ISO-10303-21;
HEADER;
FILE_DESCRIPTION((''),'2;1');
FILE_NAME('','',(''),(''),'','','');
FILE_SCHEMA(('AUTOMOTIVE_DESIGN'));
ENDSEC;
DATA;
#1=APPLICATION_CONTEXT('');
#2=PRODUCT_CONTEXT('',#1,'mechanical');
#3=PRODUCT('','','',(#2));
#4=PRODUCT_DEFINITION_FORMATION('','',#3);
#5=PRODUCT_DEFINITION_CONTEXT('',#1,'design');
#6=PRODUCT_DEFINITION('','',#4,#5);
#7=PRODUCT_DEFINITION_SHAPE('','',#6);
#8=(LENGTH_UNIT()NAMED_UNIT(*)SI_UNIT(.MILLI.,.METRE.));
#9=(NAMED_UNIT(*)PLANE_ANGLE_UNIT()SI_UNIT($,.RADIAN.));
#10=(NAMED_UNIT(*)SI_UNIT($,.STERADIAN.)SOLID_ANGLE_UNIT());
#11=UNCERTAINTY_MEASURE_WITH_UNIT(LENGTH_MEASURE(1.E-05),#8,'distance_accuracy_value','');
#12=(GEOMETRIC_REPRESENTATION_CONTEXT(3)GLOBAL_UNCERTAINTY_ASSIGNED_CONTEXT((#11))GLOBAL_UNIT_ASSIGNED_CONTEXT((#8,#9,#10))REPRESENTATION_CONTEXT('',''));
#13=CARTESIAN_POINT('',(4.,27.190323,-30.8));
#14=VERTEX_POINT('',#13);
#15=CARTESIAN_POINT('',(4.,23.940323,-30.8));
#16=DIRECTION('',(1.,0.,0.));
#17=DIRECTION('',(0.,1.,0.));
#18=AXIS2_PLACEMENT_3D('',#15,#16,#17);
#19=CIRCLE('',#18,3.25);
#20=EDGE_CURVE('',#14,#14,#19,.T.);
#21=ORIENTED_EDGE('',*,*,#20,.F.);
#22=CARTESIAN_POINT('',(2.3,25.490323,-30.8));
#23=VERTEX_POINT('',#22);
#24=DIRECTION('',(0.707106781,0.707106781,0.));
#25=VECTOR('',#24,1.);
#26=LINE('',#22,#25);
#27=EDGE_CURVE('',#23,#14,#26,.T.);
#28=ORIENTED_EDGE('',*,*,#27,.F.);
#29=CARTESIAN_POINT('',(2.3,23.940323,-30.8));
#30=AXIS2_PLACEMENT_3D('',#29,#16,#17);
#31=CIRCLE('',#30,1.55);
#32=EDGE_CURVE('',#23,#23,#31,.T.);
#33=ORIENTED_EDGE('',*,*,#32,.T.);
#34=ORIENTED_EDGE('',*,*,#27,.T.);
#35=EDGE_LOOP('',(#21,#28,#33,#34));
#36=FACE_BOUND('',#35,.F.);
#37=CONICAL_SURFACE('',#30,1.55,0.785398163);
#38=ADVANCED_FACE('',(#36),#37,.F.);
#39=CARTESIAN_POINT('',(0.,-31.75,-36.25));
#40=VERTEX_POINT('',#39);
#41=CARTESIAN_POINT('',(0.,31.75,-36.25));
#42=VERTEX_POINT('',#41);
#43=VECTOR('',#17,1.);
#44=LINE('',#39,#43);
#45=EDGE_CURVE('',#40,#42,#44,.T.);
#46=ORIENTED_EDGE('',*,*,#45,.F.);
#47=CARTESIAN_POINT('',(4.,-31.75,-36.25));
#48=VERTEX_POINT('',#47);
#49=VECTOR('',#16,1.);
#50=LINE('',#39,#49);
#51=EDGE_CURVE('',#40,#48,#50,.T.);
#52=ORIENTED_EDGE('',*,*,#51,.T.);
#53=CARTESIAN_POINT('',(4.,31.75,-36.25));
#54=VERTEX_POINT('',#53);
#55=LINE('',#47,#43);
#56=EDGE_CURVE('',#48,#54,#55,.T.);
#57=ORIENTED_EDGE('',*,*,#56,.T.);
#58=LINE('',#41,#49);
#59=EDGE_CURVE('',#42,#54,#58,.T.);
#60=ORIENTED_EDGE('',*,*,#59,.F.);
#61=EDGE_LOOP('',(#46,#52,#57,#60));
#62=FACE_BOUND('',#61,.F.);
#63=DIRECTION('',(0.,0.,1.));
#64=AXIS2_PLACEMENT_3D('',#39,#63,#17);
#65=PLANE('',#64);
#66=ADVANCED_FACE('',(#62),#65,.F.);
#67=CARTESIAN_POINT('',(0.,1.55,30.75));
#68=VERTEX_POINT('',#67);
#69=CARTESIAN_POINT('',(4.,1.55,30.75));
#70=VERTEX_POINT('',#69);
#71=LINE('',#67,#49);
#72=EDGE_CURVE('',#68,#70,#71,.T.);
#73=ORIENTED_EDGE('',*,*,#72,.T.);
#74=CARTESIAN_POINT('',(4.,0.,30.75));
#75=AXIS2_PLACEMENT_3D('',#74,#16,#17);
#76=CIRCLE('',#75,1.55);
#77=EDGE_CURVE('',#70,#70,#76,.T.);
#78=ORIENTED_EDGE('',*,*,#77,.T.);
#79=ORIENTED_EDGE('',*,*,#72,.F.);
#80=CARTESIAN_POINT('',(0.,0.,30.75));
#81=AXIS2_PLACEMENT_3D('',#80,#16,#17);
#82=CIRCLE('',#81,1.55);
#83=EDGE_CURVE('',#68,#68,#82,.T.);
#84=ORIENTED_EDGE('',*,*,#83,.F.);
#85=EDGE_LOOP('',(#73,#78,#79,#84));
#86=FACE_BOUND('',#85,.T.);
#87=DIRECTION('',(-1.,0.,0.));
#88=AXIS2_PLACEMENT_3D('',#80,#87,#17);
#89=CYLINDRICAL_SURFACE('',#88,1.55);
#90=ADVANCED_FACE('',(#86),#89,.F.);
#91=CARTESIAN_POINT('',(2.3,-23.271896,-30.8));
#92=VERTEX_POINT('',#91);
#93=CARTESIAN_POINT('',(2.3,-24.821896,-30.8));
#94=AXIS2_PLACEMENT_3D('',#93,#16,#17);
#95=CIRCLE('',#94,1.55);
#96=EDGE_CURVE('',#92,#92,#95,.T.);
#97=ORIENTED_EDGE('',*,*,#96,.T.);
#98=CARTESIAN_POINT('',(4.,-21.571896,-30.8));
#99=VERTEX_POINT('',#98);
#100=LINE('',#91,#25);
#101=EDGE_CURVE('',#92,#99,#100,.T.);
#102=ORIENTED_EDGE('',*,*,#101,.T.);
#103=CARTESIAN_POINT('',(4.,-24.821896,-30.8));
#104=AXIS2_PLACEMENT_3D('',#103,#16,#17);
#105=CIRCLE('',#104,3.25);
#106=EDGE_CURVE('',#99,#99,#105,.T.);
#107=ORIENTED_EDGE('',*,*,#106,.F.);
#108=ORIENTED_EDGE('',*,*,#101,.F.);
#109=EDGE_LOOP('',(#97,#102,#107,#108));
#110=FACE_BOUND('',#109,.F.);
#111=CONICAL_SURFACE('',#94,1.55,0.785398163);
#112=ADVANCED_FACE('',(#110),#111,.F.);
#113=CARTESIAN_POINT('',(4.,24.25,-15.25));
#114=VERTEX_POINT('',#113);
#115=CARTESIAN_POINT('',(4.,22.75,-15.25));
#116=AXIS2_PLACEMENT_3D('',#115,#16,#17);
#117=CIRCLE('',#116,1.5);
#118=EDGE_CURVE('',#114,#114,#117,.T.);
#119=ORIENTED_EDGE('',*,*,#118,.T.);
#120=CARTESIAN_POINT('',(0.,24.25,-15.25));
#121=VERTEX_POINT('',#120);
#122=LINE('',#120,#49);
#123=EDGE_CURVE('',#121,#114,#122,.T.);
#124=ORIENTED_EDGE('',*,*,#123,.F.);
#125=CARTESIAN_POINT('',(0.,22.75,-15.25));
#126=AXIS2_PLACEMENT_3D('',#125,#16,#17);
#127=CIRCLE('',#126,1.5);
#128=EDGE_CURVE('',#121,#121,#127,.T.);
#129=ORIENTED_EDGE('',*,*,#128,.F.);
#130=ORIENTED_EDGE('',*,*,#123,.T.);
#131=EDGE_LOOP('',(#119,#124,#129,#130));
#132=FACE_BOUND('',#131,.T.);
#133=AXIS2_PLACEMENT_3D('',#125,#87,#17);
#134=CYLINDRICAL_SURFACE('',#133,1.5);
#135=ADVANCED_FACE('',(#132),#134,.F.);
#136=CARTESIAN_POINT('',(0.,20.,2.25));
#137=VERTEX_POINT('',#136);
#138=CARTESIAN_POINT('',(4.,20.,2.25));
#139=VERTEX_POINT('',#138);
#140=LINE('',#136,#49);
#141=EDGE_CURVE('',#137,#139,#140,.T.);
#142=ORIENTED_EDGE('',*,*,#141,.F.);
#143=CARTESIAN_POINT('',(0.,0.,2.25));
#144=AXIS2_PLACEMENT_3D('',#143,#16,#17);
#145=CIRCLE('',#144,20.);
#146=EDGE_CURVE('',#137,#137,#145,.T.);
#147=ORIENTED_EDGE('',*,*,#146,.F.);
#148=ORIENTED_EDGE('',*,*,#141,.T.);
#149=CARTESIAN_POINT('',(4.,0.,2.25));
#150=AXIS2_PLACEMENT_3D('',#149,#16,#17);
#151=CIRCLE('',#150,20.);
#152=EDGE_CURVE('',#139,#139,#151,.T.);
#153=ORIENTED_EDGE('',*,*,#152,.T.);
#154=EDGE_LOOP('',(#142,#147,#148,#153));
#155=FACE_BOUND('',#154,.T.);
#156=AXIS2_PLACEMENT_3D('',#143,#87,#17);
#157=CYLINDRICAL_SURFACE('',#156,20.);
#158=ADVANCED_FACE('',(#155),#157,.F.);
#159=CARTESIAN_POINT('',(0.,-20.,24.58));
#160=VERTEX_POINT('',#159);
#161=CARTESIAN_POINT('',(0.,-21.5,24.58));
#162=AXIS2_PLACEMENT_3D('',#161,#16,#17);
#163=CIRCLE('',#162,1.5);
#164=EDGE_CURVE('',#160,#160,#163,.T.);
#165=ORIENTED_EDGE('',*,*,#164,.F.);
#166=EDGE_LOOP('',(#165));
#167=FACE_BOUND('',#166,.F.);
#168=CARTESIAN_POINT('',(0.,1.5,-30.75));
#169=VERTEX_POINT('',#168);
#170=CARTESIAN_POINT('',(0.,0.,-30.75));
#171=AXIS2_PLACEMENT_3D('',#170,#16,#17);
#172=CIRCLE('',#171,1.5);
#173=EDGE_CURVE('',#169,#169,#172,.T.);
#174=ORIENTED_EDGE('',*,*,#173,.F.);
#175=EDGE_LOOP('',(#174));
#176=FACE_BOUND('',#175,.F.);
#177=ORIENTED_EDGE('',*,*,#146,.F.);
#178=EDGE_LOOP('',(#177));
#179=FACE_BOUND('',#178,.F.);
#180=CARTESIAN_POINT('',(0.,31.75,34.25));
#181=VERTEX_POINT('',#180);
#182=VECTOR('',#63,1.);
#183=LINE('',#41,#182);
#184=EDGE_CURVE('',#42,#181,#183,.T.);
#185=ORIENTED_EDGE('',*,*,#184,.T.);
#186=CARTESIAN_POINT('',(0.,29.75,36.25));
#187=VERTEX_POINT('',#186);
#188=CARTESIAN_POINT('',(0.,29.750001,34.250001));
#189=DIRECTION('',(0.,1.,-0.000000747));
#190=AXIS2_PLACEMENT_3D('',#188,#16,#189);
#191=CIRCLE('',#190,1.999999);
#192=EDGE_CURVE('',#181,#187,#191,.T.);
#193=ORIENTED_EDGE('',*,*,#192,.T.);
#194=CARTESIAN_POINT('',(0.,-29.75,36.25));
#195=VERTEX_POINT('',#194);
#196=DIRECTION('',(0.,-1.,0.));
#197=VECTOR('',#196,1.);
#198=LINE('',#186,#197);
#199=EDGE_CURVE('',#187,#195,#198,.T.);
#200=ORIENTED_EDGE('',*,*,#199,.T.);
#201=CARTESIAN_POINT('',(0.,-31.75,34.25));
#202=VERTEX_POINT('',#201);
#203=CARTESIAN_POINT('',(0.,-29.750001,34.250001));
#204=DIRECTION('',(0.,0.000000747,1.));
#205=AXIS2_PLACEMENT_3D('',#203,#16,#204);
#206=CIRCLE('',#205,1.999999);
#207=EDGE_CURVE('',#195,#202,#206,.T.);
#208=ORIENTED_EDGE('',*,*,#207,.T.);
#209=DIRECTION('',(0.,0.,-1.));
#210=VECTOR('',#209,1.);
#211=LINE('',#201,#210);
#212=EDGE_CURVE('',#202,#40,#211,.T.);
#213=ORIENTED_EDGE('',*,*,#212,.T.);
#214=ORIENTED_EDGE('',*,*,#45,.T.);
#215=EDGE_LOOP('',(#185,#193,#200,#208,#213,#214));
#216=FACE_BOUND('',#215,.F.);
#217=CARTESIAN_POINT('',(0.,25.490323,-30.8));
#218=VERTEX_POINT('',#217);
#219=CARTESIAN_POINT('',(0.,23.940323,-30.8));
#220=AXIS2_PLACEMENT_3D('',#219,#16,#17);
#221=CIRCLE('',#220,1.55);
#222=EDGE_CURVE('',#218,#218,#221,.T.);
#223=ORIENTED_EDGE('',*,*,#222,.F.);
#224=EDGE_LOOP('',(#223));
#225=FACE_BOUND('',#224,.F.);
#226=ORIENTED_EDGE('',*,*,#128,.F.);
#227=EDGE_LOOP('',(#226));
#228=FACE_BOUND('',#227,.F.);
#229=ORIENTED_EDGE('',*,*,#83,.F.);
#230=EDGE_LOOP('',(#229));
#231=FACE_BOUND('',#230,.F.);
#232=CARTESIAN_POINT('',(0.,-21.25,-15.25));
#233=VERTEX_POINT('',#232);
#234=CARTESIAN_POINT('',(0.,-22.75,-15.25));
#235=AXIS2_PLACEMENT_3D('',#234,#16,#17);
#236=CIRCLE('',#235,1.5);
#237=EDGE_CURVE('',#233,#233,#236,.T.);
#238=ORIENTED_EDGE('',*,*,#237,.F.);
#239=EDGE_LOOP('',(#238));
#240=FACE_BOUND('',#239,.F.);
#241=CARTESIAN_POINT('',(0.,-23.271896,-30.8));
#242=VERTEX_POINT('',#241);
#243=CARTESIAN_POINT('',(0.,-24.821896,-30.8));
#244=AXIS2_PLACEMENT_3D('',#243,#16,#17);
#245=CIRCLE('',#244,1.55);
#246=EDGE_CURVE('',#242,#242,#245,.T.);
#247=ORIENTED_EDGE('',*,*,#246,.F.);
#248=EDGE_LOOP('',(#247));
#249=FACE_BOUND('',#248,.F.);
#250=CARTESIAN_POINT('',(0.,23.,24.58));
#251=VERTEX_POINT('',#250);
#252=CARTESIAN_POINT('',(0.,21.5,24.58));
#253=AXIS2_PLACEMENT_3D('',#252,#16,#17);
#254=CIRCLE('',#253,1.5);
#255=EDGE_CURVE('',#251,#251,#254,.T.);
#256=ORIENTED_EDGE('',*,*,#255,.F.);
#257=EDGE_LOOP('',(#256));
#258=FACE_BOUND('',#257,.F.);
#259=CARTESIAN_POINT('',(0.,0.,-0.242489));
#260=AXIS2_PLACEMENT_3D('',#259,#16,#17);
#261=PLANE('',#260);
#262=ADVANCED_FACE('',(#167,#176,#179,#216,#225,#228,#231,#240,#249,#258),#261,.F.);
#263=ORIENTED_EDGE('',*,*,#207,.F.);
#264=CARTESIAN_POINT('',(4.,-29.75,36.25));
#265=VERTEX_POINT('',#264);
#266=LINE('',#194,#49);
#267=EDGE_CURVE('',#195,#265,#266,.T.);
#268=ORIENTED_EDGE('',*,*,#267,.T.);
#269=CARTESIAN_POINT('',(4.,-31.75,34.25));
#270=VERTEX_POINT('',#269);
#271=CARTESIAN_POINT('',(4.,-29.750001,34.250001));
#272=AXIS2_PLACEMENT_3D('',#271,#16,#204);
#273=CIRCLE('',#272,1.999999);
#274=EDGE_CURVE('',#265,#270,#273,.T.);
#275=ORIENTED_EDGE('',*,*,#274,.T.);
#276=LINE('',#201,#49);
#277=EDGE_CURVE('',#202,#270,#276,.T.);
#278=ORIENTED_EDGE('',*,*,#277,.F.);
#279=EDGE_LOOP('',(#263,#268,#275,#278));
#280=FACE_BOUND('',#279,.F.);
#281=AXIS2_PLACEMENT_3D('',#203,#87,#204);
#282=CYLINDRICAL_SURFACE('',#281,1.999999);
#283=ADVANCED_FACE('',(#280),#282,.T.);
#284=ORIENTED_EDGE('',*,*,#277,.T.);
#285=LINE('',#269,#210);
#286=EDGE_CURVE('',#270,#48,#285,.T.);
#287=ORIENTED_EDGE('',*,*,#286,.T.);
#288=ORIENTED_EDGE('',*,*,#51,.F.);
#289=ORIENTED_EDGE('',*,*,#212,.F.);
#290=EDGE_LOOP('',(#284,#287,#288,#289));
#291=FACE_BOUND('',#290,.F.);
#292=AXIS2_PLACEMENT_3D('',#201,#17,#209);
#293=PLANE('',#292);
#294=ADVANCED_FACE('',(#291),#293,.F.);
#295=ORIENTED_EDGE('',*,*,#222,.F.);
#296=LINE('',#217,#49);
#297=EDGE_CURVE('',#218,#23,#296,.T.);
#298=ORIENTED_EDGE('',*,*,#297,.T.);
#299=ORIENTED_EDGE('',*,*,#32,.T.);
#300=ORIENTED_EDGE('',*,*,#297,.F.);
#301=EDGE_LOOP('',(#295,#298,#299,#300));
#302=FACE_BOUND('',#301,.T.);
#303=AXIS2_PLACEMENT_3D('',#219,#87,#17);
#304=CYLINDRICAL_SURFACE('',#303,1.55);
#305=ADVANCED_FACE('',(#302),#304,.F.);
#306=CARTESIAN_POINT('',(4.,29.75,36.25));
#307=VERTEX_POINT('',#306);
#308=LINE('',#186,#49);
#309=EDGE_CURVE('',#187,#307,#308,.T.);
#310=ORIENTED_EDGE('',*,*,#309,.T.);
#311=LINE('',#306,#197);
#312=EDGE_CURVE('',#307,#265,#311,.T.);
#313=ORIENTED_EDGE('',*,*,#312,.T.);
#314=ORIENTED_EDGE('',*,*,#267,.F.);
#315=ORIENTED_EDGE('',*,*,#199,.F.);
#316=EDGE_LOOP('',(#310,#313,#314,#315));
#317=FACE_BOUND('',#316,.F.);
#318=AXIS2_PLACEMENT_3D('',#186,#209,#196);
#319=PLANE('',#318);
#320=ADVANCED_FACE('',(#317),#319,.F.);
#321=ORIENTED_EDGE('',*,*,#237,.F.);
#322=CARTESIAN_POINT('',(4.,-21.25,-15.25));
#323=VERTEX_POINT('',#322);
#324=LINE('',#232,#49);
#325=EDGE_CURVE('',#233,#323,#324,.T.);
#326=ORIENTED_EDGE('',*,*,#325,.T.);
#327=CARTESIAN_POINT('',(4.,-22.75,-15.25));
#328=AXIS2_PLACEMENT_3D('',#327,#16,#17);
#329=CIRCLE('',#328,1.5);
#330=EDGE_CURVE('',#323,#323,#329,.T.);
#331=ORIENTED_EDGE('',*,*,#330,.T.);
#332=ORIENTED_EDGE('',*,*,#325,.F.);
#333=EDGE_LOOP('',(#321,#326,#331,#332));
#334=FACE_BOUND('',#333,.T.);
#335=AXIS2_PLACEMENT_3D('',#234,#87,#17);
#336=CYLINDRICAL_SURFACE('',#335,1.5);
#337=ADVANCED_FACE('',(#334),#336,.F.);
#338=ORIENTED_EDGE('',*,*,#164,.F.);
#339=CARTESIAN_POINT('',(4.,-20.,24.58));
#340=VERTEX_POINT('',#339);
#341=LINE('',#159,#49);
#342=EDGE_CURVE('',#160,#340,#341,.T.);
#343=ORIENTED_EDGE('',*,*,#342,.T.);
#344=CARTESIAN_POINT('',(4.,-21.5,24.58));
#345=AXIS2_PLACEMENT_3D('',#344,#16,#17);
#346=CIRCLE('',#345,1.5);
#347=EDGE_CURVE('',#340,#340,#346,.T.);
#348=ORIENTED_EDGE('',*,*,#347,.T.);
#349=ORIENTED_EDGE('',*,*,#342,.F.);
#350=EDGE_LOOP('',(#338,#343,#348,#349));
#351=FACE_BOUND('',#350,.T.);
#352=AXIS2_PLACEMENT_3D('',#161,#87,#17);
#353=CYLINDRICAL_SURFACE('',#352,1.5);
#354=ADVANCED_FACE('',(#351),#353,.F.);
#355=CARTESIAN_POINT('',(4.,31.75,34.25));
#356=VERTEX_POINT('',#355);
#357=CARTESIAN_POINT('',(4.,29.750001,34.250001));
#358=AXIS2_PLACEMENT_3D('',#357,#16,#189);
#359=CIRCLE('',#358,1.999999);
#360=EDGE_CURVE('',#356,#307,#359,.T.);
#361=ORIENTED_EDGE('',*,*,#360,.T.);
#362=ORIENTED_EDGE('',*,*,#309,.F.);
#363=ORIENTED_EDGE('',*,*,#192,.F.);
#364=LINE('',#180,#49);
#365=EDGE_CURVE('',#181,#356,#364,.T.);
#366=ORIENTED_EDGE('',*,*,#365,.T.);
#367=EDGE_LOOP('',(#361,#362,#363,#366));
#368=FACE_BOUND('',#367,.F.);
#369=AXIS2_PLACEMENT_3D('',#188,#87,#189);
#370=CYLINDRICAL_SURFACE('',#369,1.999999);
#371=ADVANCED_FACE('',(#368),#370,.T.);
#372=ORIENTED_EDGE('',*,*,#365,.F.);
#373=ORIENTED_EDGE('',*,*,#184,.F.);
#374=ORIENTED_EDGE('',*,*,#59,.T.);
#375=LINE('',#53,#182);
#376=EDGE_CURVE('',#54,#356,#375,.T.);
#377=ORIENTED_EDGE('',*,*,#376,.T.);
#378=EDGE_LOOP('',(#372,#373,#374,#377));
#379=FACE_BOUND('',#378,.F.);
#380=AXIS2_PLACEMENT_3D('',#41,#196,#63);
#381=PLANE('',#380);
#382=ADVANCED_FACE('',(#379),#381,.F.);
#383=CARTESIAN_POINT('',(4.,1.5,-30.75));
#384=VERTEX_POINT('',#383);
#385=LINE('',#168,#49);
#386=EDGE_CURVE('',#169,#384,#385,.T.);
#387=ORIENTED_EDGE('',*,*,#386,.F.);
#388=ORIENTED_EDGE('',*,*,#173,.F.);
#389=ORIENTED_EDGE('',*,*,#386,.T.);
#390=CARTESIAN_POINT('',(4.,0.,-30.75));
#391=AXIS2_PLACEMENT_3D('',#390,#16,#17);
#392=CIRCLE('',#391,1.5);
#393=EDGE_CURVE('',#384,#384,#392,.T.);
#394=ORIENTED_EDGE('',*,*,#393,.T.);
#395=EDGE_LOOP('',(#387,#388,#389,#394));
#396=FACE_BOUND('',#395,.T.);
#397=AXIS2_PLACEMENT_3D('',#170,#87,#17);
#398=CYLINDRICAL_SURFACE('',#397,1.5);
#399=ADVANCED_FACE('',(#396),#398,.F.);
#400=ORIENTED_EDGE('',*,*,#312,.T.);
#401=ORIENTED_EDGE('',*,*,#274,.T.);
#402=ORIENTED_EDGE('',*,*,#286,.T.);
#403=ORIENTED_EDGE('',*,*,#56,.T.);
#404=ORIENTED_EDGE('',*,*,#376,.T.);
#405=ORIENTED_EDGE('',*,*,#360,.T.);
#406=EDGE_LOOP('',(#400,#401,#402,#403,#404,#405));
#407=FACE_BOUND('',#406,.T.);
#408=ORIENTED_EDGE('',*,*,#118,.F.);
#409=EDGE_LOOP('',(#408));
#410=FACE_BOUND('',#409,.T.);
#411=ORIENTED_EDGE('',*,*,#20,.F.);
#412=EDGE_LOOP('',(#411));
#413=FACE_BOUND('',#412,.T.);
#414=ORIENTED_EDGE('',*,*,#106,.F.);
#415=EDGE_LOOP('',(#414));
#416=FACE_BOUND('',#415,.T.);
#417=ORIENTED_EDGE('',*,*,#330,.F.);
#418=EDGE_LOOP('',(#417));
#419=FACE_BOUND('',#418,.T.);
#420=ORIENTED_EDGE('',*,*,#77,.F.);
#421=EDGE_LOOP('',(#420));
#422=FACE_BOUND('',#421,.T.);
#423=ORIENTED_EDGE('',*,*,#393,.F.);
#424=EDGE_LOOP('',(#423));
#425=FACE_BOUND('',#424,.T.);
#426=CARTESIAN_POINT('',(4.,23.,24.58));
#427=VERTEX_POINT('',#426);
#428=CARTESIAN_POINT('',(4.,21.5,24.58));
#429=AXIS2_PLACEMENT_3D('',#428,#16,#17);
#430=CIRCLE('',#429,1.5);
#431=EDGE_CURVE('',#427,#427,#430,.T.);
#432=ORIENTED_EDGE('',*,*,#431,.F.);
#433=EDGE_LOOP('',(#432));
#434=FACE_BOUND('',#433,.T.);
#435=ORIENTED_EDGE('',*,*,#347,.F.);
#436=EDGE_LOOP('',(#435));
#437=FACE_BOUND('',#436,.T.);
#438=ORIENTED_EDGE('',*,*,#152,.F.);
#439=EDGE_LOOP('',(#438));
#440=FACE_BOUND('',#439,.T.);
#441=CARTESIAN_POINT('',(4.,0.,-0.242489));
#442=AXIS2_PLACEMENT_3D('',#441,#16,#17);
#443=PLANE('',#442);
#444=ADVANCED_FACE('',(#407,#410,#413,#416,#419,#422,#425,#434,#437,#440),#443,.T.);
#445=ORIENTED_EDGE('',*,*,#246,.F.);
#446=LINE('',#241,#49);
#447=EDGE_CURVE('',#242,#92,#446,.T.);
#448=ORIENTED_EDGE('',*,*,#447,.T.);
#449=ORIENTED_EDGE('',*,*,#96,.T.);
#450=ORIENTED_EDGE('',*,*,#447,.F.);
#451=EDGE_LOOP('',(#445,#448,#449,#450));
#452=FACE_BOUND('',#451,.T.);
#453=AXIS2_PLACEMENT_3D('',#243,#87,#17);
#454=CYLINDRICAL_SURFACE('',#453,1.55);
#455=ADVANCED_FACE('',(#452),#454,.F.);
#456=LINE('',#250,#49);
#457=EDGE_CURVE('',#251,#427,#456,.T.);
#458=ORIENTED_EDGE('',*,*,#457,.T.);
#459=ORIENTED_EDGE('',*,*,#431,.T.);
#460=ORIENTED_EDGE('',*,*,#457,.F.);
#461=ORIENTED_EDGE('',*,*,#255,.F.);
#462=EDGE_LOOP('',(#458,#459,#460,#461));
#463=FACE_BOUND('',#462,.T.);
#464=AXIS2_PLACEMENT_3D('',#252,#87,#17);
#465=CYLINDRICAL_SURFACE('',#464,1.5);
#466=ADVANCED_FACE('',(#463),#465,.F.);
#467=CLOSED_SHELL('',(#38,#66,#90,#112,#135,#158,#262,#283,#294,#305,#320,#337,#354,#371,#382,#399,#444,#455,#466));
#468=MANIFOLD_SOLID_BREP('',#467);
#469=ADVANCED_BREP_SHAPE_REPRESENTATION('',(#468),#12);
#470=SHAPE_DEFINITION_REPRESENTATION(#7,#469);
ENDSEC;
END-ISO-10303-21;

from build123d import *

# Parameters (mm, degrees)
F0_R     = 1.55
F0_R_2   = 1.5
F0_R_3   = 20
F1_DEPTH = 4
F2_SIZE  = 1.7


with BuildPart() as f1:
    # F0 (on Right) → F1 (new body)
    with BuildSketch(Plane.YZ):
        with BuildLine():
            ThreePointArc((31.75, 34.25), (31.164214, 35.664214), (29.75, 36.25))
            Line((29.75, 36.25), (-29.75, 36.25))
            ThreePointArc((-29.75, 36.25), (-31.164214, 35.664214), (-31.75, 34.25))
            Line((-31.75, 34.25), (-31.75, -36.25))
            Line((-31.75, -36.25), (31.75, -36.25))
            Line((31.75, -36.25), (31.75, 34.25))
        make_face()
        with Locations((-24.821896, -30.8)):
            Circle(F0_R, mode=Mode.SUBTRACT)
        with Locations((-22.75, -15.25)):
            Circle(F0_R_2, mode=Mode.SUBTRACT)
        with Locations((0, -30.75)):
            Circle(F0_R_2, mode=Mode.SUBTRACT)
        with Locations((23.940323, -30.8)):
            Circle(F0_R, mode=Mode.SUBTRACT)
        with Locations((22.75, -15.25)):
            Circle(F0_R_2, mode=Mode.SUBTRACT)
        with Locations((-21.5, 24.58)):
            Circle(F0_R_2, mode=Mode.SUBTRACT)
        with Locations((0, 2.25)):
            Circle(F0_R_3, mode=Mode.SUBTRACT)
        with Locations((0, 30.75)):
            Circle(F0_R, mode=Mode.SUBTRACT)
        with Locations((21.5, 24.58)):
            Circle(F0_R_2, mode=Mode.SUBTRACT)
    extrude(amount=F1_DEPTH)

    # F2
    f2_edges = [f1.edges().sort_by_distance(p)[0] for p in [
        (4, -26.371896, -30.8),
        (4, 22.390323, -30.8),
    ]]
    chamfer(f2_edges, length=F2_SIZE)


solid = f1.part
